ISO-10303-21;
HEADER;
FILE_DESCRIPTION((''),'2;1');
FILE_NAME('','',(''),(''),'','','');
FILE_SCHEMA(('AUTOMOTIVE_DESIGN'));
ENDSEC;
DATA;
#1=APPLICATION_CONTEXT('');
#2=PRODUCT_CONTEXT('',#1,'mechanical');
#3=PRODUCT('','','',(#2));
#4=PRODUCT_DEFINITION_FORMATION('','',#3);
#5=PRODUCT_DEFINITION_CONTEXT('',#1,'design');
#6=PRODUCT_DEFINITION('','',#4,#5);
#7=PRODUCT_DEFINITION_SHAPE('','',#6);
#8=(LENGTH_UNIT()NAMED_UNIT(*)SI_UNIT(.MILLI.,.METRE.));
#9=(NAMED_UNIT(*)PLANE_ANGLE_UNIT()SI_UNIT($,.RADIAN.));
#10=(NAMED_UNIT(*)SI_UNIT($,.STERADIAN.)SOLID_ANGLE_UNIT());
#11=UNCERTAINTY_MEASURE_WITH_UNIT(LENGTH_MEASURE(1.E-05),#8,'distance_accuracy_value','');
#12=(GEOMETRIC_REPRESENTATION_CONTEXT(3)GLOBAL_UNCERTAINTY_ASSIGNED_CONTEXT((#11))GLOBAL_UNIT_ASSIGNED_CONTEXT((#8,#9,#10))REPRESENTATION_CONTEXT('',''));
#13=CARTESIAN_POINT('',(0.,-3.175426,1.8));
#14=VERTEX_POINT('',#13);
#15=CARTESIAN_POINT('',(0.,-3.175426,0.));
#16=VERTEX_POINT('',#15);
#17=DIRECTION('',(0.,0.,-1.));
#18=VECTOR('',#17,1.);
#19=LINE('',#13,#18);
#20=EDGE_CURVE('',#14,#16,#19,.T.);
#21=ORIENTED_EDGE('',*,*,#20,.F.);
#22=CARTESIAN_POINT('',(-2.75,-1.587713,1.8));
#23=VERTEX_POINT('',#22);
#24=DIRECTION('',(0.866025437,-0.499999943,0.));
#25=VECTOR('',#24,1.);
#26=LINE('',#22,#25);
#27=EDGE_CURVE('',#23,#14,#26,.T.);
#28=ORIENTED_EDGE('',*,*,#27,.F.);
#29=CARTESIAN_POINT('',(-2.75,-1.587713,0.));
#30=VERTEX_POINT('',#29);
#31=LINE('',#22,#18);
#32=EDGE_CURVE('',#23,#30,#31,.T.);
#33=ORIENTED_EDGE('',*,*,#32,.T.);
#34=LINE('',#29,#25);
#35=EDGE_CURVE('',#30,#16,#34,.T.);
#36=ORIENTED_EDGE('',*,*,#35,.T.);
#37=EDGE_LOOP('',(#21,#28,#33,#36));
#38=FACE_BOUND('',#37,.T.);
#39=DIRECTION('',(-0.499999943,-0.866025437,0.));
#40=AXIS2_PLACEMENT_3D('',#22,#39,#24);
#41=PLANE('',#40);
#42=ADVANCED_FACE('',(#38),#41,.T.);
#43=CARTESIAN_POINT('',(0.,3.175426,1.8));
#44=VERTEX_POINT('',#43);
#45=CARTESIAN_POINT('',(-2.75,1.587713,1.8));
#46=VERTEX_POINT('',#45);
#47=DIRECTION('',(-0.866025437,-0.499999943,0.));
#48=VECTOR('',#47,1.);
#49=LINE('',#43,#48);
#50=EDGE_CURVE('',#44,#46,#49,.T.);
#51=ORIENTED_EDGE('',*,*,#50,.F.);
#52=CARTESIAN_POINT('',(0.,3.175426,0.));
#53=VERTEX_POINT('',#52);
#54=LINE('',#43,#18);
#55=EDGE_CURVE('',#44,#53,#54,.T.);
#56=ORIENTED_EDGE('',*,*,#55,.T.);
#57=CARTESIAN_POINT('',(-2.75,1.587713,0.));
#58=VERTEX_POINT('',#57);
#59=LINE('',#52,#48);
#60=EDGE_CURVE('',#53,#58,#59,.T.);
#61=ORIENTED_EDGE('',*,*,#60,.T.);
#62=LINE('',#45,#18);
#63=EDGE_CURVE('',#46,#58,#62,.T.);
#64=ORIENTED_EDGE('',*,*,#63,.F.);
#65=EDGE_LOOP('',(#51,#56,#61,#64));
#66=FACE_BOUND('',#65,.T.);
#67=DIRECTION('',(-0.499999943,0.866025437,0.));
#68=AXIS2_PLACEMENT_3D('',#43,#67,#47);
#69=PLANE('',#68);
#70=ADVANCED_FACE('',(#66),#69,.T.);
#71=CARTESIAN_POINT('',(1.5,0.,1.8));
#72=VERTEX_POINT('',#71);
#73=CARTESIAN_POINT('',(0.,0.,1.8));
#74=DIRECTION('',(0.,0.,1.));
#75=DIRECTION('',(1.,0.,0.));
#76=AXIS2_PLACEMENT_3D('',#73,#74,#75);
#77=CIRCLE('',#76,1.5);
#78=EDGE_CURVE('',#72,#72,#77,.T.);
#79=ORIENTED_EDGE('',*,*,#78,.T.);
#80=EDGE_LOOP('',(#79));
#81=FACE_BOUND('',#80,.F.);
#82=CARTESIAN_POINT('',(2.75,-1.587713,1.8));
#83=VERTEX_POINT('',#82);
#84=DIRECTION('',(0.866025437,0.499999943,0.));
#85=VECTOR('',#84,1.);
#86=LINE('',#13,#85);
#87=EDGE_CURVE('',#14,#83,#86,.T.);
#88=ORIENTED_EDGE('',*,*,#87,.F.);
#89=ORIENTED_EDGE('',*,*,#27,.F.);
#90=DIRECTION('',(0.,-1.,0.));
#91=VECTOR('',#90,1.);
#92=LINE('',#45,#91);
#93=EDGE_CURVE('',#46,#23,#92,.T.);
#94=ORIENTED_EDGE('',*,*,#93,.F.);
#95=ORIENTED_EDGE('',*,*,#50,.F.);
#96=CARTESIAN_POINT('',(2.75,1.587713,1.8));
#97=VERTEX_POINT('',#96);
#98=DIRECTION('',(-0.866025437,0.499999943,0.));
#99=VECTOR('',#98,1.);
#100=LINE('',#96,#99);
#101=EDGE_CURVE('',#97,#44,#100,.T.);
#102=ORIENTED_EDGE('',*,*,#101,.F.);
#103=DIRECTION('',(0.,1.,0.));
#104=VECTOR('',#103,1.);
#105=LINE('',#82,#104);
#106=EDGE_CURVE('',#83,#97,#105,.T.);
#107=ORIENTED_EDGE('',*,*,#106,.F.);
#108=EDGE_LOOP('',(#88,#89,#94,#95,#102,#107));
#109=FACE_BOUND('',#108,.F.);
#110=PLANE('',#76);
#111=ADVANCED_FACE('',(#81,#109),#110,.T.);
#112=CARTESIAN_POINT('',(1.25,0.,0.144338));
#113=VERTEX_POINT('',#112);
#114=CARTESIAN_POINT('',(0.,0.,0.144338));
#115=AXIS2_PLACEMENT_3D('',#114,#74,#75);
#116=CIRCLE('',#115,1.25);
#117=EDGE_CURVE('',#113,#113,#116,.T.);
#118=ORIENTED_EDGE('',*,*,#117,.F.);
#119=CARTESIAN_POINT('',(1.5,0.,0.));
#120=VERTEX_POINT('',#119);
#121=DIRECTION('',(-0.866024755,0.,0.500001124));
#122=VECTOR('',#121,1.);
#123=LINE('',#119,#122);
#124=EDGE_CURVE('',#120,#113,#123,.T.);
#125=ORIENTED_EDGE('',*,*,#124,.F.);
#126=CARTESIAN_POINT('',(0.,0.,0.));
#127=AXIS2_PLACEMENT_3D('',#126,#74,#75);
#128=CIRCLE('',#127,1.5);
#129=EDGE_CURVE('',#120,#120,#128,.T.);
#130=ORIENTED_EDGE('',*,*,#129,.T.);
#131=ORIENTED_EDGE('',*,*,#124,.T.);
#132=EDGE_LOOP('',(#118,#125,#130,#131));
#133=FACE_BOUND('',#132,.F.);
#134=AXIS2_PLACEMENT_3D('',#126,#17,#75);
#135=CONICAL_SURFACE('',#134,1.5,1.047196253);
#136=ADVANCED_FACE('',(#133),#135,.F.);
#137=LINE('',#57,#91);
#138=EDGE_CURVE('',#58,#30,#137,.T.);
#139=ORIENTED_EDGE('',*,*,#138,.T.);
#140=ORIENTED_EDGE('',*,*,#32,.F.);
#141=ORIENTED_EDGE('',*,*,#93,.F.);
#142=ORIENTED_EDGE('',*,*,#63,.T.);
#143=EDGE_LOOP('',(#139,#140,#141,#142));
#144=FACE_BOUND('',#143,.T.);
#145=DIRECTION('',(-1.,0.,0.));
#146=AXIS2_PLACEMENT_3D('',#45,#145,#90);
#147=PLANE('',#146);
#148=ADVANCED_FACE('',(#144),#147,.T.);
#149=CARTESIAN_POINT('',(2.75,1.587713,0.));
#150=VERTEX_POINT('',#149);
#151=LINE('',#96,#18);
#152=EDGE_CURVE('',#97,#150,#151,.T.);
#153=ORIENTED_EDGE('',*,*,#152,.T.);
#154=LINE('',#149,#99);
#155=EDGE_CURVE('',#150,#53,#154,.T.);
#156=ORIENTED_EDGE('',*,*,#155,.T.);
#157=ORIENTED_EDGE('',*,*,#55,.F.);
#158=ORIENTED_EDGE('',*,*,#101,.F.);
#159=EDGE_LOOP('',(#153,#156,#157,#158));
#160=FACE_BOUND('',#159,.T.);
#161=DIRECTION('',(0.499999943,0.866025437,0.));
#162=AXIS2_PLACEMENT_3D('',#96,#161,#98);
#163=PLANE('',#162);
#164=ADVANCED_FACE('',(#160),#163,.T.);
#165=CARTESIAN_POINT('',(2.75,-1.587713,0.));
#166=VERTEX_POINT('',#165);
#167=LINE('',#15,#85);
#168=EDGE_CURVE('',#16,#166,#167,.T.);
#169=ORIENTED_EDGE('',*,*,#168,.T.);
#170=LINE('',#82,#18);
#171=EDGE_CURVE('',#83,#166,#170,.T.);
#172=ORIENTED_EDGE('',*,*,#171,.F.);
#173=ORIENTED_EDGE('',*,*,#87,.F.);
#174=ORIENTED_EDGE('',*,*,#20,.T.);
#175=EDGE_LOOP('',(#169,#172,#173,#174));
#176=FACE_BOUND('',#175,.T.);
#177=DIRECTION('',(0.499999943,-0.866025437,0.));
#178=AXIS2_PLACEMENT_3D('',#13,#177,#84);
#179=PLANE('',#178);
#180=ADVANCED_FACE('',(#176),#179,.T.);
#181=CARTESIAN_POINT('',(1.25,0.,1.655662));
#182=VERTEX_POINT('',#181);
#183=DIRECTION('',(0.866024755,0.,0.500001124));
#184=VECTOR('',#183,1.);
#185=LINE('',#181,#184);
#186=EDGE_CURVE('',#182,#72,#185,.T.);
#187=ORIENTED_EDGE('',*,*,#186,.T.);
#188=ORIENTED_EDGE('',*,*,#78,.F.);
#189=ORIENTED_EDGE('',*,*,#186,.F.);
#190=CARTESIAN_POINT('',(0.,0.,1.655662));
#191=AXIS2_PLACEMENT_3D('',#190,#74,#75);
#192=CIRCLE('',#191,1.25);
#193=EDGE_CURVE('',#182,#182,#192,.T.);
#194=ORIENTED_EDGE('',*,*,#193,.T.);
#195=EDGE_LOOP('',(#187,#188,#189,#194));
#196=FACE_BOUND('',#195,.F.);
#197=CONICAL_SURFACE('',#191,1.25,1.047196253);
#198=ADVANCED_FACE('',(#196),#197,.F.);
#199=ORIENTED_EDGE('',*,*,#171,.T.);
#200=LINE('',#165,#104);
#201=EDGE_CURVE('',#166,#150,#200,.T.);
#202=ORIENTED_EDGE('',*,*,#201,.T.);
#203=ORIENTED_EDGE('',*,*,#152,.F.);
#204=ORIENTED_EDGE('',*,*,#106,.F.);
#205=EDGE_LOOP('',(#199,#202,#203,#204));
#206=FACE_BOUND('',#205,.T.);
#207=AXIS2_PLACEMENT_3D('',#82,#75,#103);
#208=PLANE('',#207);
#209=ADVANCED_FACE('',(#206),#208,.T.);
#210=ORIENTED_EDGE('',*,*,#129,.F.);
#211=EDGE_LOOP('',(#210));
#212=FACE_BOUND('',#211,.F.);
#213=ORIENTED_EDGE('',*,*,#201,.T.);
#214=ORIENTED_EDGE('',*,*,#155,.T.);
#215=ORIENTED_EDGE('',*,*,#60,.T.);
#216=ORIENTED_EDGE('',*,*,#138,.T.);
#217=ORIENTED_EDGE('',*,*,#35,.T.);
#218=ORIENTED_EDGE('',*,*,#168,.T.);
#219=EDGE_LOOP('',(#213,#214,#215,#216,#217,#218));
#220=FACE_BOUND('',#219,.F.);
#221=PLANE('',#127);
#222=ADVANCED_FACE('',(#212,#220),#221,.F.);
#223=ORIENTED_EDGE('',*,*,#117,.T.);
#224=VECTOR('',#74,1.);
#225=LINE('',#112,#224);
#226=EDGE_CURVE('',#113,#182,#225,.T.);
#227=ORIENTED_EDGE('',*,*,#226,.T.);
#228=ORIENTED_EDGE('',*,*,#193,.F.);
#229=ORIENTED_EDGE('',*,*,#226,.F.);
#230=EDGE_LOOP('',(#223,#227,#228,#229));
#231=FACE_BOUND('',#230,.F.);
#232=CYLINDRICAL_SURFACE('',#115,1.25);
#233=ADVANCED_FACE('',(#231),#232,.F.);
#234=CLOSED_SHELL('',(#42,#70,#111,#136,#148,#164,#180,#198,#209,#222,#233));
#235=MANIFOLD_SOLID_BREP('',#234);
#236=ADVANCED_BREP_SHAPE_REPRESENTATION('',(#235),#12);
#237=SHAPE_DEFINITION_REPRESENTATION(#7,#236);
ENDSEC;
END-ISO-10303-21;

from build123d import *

# Parameters (mm, degrees)
SKETCH001_R  = 3.5
POCKET_DEPTH = 1.8


with BuildPart() as part:
    # Sketch → Revolution (revolve)
    with BuildSketch(Plane.XZ):
        Polygon((1.5, 0), (1.25, 0.144338), (1.25, 1.655662), (1.5, 1.8), (3.5, 1.8), (3.5, 0), align=None)
    revolve(axis=Axis((0, 0, 0), (0, 0, 1)))

    # Sketch001 → Pocket (cut)
    with BuildSketch(Plane(origin=(0, 0, 1.8), x_dir=(-1, 0, 0), z_dir=(0, 0, 1))):
        Circle(SKETCH001_R)
        Polygon((-2.75, 1.587713), (-2.75, -1.587713), (0, -3.175426), (2.75, -1.587713), (2.75, 1.587713), (0, 3.175426), align=None, mode=Mode.SUBTRACT)
    extrude(amount=-POCKET_DEPTH, mode=Mode.SUBTRACT)


solid = part.part
